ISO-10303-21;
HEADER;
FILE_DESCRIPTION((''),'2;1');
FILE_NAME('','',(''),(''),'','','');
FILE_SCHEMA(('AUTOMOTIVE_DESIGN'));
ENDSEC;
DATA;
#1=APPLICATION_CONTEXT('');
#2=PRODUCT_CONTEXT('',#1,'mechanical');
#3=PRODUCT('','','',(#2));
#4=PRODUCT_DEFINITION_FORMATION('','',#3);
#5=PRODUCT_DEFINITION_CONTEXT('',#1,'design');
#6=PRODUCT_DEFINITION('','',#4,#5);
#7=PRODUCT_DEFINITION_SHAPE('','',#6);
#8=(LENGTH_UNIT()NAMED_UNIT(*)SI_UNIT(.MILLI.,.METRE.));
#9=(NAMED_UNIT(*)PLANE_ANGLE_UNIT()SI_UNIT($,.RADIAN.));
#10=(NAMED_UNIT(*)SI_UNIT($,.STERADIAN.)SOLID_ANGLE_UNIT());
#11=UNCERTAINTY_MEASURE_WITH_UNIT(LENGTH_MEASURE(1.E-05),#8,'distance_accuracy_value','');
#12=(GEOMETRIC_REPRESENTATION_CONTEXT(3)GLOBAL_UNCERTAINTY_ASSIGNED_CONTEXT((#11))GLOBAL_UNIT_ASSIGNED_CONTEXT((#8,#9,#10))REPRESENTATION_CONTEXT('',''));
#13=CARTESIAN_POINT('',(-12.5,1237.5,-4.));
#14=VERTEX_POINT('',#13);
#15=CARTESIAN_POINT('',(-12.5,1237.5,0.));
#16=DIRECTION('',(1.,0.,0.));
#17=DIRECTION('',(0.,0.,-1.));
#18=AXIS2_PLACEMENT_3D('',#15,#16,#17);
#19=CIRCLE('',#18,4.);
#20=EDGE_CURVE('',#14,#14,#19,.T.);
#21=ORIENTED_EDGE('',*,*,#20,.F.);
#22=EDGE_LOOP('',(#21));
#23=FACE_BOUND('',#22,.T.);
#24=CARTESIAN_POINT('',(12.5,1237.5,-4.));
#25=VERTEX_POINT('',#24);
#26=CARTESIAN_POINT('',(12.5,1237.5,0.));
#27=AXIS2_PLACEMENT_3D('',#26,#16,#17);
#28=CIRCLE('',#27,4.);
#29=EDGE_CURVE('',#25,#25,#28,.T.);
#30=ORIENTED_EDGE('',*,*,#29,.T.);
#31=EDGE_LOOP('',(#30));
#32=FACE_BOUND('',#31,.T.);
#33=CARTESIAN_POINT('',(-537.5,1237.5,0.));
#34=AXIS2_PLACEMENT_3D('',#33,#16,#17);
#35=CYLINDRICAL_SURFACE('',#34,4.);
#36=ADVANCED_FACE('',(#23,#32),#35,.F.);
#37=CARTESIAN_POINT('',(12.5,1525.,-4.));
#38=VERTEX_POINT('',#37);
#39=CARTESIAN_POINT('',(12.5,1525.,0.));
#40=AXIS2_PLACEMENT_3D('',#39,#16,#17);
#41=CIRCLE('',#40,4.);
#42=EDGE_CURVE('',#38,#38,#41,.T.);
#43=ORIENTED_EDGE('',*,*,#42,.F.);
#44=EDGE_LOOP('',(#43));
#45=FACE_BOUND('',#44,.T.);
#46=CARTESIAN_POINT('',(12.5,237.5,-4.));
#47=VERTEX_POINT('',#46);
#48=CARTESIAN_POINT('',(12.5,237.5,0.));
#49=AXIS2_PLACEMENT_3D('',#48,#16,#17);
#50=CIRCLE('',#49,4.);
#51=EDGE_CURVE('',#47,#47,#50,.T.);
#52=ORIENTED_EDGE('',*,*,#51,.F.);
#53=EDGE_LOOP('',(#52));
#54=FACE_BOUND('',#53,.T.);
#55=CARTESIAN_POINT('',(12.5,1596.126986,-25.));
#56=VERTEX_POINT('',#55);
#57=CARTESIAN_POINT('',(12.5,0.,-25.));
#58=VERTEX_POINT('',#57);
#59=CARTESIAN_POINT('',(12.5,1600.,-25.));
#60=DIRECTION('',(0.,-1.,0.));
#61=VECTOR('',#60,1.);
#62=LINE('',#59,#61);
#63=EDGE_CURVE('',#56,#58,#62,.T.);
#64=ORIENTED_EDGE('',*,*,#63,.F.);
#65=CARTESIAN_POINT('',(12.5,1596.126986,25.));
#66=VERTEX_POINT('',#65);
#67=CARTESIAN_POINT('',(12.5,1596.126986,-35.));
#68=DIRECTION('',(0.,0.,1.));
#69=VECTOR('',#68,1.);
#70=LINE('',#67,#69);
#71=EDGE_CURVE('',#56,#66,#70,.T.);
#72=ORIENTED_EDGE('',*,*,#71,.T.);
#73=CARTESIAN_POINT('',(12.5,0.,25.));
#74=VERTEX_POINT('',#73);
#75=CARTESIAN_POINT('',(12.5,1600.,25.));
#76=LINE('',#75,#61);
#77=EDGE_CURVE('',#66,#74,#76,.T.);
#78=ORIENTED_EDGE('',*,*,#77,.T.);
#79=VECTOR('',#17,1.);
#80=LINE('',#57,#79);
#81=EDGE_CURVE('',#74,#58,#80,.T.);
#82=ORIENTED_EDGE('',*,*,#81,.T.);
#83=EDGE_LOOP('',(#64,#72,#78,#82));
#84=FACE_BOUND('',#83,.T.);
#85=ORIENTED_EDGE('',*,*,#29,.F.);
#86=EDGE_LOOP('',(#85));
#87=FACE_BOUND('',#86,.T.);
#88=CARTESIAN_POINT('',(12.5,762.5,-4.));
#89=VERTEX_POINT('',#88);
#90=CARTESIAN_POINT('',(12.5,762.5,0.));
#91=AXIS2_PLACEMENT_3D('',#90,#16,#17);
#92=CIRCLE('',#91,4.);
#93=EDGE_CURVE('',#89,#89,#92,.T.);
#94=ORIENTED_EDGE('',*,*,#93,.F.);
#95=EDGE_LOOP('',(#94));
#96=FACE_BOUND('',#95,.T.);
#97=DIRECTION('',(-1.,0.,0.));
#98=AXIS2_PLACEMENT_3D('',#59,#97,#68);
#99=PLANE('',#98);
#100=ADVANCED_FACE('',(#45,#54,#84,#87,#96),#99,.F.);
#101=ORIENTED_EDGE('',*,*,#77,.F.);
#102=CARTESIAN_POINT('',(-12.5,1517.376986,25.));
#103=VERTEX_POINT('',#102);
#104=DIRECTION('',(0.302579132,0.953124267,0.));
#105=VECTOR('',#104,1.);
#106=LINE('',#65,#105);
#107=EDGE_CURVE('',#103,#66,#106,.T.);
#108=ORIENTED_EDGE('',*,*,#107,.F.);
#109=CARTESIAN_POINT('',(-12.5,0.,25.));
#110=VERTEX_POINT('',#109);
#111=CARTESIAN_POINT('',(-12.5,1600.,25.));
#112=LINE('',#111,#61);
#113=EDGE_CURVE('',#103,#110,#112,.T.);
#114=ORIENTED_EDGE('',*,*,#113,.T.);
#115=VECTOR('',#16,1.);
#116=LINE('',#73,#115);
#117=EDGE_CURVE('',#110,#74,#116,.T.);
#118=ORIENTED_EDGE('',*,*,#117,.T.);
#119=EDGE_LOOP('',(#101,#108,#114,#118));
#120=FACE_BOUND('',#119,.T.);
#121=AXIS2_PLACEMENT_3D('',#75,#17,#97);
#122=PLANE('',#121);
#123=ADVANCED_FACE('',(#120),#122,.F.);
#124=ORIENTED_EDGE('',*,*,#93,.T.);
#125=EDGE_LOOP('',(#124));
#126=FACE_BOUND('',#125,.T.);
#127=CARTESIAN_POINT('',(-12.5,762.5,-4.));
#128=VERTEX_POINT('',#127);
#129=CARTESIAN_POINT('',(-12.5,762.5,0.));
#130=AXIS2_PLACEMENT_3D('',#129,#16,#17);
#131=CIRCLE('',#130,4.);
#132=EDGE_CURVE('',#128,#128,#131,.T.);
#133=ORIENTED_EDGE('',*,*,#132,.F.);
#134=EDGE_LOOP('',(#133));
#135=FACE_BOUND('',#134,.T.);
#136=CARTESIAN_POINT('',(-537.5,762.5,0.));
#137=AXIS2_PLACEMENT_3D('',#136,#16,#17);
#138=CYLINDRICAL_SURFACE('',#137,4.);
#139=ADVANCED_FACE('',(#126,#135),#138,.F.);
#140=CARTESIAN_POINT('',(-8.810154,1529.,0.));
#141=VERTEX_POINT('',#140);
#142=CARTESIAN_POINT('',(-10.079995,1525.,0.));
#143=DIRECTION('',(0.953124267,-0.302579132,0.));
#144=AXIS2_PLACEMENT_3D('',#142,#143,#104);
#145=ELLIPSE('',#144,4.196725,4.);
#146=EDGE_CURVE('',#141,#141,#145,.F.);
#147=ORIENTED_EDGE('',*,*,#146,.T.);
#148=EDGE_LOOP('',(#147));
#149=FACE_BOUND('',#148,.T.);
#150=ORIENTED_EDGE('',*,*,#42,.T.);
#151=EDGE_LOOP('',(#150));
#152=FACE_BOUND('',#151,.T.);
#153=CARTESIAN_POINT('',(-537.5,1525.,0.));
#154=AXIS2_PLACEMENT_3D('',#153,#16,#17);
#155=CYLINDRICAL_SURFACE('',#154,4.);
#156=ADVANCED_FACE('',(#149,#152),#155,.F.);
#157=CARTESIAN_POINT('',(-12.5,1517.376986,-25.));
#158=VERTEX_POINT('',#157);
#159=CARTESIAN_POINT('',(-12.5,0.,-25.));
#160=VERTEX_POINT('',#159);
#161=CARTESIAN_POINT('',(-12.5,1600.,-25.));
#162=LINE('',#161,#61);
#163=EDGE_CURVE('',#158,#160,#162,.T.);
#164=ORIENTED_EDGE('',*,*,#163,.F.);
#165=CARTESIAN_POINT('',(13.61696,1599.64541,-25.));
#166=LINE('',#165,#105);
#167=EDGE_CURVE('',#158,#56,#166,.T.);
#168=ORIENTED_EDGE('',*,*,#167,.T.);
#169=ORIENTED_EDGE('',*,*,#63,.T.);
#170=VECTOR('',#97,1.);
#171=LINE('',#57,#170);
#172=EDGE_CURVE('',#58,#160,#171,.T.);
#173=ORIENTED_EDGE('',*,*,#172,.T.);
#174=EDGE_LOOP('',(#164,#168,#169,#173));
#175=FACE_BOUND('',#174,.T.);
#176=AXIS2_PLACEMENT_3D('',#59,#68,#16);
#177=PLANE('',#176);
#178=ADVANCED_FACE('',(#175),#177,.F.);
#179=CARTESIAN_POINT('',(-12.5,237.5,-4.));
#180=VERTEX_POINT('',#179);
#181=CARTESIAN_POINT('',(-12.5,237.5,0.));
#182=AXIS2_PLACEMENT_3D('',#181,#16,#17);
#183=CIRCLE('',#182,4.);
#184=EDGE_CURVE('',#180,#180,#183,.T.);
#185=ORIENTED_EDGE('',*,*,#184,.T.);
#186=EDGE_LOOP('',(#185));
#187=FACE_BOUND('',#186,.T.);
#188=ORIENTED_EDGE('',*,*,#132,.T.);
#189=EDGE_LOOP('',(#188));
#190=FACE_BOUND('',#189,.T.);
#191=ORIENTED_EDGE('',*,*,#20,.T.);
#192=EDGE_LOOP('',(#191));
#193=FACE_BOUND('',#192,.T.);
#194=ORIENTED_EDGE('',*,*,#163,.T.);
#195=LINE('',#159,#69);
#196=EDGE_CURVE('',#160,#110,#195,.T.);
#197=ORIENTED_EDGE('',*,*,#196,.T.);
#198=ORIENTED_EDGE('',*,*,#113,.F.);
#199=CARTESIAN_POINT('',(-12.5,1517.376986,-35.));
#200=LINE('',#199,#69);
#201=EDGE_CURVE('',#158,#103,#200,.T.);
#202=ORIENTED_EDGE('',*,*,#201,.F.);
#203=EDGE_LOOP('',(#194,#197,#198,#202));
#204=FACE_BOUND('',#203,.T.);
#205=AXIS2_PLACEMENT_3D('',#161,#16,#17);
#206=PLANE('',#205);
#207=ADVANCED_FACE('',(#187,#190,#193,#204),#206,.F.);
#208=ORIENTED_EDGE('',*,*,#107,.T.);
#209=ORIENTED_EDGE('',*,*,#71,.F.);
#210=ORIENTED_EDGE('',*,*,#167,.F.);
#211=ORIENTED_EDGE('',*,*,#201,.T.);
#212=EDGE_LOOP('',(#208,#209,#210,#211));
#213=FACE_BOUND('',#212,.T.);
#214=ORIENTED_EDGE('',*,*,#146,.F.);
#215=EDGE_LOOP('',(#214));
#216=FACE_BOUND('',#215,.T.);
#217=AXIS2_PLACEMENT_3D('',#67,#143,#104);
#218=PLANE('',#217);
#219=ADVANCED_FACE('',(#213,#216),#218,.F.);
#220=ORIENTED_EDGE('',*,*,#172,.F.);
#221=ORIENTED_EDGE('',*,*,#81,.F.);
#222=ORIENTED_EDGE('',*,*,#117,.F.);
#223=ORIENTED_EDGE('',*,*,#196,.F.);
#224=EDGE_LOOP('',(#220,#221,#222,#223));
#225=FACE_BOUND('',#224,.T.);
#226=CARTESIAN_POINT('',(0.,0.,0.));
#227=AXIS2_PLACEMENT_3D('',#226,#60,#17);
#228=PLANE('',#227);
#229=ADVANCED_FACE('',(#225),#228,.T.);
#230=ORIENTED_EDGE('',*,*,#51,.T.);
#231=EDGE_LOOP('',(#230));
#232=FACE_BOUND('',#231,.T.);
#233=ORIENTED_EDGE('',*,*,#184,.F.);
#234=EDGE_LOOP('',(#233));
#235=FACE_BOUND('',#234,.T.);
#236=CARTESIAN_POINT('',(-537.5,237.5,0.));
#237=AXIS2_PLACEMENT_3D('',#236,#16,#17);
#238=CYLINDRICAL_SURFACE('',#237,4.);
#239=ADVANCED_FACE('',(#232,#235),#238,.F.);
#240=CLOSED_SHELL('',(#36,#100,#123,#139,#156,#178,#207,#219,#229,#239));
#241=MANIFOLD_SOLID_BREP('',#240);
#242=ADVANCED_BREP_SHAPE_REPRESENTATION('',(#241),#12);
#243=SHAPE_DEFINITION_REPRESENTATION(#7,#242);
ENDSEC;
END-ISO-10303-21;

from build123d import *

# Parameters (mm, degrees)
SKETCH_1_W          = 25
SKETCH_1_H          = 50
EXTRUDE_1_DEPTH     = 1600
SKETCH_4_R          = 4
CUT_EXTRUDE_4_DEPTH = 550
CUT_EXTRUDE_5_DEPTH = 60


with BuildPart() as part:
    # Эскиз1 → Бобышка-Вытянуть1 (new body)
    with BuildSketch(Plane(origin=(0, 0, 0), x_dir=(1, 0, 0), z_dir=(0, 1, 0))):
        Rectangle(SKETCH_1_W, SKETCH_1_H)
    extrude(amount=EXTRUDE_1_DEPTH)

    # Эскиз4 → Вырез-Вытянуть4 (cut)
    with BuildSketch(Plane(origin=(12.5, 0, 0), x_dir=(0, 0, -1), z_dir=(1, 0, 0))):
        with Locations((0, 237.5)):
            Circle(SKETCH_4_R)
        with Locations((0, 762.5)):
            Circle(SKETCH_4_R)
        with Locations((0, 1237.5)):
            Circle(SKETCH_4_R)
        with Locations((0, 1525)):
            Circle(SKETCH_4_R)
    extrude(amount=-CUT_EXTRUDE_4_DEPTH, mode=Mode.SUBTRACT)

    # Эскиз5 → Вырез-Вытянуть5 (cut)
    with BuildSketch(Plane.XY.offset(25)):
        Polygon((-12.5, 1600), (-12.5, 1517.37698565), (12.5, 1596.12698565), (12.5, 1600), align=None)
    extrude(amount=-CUT_EXTRUDE_5_DEPTH, mode=Mode.SUBTRACT)


solid = part.part
